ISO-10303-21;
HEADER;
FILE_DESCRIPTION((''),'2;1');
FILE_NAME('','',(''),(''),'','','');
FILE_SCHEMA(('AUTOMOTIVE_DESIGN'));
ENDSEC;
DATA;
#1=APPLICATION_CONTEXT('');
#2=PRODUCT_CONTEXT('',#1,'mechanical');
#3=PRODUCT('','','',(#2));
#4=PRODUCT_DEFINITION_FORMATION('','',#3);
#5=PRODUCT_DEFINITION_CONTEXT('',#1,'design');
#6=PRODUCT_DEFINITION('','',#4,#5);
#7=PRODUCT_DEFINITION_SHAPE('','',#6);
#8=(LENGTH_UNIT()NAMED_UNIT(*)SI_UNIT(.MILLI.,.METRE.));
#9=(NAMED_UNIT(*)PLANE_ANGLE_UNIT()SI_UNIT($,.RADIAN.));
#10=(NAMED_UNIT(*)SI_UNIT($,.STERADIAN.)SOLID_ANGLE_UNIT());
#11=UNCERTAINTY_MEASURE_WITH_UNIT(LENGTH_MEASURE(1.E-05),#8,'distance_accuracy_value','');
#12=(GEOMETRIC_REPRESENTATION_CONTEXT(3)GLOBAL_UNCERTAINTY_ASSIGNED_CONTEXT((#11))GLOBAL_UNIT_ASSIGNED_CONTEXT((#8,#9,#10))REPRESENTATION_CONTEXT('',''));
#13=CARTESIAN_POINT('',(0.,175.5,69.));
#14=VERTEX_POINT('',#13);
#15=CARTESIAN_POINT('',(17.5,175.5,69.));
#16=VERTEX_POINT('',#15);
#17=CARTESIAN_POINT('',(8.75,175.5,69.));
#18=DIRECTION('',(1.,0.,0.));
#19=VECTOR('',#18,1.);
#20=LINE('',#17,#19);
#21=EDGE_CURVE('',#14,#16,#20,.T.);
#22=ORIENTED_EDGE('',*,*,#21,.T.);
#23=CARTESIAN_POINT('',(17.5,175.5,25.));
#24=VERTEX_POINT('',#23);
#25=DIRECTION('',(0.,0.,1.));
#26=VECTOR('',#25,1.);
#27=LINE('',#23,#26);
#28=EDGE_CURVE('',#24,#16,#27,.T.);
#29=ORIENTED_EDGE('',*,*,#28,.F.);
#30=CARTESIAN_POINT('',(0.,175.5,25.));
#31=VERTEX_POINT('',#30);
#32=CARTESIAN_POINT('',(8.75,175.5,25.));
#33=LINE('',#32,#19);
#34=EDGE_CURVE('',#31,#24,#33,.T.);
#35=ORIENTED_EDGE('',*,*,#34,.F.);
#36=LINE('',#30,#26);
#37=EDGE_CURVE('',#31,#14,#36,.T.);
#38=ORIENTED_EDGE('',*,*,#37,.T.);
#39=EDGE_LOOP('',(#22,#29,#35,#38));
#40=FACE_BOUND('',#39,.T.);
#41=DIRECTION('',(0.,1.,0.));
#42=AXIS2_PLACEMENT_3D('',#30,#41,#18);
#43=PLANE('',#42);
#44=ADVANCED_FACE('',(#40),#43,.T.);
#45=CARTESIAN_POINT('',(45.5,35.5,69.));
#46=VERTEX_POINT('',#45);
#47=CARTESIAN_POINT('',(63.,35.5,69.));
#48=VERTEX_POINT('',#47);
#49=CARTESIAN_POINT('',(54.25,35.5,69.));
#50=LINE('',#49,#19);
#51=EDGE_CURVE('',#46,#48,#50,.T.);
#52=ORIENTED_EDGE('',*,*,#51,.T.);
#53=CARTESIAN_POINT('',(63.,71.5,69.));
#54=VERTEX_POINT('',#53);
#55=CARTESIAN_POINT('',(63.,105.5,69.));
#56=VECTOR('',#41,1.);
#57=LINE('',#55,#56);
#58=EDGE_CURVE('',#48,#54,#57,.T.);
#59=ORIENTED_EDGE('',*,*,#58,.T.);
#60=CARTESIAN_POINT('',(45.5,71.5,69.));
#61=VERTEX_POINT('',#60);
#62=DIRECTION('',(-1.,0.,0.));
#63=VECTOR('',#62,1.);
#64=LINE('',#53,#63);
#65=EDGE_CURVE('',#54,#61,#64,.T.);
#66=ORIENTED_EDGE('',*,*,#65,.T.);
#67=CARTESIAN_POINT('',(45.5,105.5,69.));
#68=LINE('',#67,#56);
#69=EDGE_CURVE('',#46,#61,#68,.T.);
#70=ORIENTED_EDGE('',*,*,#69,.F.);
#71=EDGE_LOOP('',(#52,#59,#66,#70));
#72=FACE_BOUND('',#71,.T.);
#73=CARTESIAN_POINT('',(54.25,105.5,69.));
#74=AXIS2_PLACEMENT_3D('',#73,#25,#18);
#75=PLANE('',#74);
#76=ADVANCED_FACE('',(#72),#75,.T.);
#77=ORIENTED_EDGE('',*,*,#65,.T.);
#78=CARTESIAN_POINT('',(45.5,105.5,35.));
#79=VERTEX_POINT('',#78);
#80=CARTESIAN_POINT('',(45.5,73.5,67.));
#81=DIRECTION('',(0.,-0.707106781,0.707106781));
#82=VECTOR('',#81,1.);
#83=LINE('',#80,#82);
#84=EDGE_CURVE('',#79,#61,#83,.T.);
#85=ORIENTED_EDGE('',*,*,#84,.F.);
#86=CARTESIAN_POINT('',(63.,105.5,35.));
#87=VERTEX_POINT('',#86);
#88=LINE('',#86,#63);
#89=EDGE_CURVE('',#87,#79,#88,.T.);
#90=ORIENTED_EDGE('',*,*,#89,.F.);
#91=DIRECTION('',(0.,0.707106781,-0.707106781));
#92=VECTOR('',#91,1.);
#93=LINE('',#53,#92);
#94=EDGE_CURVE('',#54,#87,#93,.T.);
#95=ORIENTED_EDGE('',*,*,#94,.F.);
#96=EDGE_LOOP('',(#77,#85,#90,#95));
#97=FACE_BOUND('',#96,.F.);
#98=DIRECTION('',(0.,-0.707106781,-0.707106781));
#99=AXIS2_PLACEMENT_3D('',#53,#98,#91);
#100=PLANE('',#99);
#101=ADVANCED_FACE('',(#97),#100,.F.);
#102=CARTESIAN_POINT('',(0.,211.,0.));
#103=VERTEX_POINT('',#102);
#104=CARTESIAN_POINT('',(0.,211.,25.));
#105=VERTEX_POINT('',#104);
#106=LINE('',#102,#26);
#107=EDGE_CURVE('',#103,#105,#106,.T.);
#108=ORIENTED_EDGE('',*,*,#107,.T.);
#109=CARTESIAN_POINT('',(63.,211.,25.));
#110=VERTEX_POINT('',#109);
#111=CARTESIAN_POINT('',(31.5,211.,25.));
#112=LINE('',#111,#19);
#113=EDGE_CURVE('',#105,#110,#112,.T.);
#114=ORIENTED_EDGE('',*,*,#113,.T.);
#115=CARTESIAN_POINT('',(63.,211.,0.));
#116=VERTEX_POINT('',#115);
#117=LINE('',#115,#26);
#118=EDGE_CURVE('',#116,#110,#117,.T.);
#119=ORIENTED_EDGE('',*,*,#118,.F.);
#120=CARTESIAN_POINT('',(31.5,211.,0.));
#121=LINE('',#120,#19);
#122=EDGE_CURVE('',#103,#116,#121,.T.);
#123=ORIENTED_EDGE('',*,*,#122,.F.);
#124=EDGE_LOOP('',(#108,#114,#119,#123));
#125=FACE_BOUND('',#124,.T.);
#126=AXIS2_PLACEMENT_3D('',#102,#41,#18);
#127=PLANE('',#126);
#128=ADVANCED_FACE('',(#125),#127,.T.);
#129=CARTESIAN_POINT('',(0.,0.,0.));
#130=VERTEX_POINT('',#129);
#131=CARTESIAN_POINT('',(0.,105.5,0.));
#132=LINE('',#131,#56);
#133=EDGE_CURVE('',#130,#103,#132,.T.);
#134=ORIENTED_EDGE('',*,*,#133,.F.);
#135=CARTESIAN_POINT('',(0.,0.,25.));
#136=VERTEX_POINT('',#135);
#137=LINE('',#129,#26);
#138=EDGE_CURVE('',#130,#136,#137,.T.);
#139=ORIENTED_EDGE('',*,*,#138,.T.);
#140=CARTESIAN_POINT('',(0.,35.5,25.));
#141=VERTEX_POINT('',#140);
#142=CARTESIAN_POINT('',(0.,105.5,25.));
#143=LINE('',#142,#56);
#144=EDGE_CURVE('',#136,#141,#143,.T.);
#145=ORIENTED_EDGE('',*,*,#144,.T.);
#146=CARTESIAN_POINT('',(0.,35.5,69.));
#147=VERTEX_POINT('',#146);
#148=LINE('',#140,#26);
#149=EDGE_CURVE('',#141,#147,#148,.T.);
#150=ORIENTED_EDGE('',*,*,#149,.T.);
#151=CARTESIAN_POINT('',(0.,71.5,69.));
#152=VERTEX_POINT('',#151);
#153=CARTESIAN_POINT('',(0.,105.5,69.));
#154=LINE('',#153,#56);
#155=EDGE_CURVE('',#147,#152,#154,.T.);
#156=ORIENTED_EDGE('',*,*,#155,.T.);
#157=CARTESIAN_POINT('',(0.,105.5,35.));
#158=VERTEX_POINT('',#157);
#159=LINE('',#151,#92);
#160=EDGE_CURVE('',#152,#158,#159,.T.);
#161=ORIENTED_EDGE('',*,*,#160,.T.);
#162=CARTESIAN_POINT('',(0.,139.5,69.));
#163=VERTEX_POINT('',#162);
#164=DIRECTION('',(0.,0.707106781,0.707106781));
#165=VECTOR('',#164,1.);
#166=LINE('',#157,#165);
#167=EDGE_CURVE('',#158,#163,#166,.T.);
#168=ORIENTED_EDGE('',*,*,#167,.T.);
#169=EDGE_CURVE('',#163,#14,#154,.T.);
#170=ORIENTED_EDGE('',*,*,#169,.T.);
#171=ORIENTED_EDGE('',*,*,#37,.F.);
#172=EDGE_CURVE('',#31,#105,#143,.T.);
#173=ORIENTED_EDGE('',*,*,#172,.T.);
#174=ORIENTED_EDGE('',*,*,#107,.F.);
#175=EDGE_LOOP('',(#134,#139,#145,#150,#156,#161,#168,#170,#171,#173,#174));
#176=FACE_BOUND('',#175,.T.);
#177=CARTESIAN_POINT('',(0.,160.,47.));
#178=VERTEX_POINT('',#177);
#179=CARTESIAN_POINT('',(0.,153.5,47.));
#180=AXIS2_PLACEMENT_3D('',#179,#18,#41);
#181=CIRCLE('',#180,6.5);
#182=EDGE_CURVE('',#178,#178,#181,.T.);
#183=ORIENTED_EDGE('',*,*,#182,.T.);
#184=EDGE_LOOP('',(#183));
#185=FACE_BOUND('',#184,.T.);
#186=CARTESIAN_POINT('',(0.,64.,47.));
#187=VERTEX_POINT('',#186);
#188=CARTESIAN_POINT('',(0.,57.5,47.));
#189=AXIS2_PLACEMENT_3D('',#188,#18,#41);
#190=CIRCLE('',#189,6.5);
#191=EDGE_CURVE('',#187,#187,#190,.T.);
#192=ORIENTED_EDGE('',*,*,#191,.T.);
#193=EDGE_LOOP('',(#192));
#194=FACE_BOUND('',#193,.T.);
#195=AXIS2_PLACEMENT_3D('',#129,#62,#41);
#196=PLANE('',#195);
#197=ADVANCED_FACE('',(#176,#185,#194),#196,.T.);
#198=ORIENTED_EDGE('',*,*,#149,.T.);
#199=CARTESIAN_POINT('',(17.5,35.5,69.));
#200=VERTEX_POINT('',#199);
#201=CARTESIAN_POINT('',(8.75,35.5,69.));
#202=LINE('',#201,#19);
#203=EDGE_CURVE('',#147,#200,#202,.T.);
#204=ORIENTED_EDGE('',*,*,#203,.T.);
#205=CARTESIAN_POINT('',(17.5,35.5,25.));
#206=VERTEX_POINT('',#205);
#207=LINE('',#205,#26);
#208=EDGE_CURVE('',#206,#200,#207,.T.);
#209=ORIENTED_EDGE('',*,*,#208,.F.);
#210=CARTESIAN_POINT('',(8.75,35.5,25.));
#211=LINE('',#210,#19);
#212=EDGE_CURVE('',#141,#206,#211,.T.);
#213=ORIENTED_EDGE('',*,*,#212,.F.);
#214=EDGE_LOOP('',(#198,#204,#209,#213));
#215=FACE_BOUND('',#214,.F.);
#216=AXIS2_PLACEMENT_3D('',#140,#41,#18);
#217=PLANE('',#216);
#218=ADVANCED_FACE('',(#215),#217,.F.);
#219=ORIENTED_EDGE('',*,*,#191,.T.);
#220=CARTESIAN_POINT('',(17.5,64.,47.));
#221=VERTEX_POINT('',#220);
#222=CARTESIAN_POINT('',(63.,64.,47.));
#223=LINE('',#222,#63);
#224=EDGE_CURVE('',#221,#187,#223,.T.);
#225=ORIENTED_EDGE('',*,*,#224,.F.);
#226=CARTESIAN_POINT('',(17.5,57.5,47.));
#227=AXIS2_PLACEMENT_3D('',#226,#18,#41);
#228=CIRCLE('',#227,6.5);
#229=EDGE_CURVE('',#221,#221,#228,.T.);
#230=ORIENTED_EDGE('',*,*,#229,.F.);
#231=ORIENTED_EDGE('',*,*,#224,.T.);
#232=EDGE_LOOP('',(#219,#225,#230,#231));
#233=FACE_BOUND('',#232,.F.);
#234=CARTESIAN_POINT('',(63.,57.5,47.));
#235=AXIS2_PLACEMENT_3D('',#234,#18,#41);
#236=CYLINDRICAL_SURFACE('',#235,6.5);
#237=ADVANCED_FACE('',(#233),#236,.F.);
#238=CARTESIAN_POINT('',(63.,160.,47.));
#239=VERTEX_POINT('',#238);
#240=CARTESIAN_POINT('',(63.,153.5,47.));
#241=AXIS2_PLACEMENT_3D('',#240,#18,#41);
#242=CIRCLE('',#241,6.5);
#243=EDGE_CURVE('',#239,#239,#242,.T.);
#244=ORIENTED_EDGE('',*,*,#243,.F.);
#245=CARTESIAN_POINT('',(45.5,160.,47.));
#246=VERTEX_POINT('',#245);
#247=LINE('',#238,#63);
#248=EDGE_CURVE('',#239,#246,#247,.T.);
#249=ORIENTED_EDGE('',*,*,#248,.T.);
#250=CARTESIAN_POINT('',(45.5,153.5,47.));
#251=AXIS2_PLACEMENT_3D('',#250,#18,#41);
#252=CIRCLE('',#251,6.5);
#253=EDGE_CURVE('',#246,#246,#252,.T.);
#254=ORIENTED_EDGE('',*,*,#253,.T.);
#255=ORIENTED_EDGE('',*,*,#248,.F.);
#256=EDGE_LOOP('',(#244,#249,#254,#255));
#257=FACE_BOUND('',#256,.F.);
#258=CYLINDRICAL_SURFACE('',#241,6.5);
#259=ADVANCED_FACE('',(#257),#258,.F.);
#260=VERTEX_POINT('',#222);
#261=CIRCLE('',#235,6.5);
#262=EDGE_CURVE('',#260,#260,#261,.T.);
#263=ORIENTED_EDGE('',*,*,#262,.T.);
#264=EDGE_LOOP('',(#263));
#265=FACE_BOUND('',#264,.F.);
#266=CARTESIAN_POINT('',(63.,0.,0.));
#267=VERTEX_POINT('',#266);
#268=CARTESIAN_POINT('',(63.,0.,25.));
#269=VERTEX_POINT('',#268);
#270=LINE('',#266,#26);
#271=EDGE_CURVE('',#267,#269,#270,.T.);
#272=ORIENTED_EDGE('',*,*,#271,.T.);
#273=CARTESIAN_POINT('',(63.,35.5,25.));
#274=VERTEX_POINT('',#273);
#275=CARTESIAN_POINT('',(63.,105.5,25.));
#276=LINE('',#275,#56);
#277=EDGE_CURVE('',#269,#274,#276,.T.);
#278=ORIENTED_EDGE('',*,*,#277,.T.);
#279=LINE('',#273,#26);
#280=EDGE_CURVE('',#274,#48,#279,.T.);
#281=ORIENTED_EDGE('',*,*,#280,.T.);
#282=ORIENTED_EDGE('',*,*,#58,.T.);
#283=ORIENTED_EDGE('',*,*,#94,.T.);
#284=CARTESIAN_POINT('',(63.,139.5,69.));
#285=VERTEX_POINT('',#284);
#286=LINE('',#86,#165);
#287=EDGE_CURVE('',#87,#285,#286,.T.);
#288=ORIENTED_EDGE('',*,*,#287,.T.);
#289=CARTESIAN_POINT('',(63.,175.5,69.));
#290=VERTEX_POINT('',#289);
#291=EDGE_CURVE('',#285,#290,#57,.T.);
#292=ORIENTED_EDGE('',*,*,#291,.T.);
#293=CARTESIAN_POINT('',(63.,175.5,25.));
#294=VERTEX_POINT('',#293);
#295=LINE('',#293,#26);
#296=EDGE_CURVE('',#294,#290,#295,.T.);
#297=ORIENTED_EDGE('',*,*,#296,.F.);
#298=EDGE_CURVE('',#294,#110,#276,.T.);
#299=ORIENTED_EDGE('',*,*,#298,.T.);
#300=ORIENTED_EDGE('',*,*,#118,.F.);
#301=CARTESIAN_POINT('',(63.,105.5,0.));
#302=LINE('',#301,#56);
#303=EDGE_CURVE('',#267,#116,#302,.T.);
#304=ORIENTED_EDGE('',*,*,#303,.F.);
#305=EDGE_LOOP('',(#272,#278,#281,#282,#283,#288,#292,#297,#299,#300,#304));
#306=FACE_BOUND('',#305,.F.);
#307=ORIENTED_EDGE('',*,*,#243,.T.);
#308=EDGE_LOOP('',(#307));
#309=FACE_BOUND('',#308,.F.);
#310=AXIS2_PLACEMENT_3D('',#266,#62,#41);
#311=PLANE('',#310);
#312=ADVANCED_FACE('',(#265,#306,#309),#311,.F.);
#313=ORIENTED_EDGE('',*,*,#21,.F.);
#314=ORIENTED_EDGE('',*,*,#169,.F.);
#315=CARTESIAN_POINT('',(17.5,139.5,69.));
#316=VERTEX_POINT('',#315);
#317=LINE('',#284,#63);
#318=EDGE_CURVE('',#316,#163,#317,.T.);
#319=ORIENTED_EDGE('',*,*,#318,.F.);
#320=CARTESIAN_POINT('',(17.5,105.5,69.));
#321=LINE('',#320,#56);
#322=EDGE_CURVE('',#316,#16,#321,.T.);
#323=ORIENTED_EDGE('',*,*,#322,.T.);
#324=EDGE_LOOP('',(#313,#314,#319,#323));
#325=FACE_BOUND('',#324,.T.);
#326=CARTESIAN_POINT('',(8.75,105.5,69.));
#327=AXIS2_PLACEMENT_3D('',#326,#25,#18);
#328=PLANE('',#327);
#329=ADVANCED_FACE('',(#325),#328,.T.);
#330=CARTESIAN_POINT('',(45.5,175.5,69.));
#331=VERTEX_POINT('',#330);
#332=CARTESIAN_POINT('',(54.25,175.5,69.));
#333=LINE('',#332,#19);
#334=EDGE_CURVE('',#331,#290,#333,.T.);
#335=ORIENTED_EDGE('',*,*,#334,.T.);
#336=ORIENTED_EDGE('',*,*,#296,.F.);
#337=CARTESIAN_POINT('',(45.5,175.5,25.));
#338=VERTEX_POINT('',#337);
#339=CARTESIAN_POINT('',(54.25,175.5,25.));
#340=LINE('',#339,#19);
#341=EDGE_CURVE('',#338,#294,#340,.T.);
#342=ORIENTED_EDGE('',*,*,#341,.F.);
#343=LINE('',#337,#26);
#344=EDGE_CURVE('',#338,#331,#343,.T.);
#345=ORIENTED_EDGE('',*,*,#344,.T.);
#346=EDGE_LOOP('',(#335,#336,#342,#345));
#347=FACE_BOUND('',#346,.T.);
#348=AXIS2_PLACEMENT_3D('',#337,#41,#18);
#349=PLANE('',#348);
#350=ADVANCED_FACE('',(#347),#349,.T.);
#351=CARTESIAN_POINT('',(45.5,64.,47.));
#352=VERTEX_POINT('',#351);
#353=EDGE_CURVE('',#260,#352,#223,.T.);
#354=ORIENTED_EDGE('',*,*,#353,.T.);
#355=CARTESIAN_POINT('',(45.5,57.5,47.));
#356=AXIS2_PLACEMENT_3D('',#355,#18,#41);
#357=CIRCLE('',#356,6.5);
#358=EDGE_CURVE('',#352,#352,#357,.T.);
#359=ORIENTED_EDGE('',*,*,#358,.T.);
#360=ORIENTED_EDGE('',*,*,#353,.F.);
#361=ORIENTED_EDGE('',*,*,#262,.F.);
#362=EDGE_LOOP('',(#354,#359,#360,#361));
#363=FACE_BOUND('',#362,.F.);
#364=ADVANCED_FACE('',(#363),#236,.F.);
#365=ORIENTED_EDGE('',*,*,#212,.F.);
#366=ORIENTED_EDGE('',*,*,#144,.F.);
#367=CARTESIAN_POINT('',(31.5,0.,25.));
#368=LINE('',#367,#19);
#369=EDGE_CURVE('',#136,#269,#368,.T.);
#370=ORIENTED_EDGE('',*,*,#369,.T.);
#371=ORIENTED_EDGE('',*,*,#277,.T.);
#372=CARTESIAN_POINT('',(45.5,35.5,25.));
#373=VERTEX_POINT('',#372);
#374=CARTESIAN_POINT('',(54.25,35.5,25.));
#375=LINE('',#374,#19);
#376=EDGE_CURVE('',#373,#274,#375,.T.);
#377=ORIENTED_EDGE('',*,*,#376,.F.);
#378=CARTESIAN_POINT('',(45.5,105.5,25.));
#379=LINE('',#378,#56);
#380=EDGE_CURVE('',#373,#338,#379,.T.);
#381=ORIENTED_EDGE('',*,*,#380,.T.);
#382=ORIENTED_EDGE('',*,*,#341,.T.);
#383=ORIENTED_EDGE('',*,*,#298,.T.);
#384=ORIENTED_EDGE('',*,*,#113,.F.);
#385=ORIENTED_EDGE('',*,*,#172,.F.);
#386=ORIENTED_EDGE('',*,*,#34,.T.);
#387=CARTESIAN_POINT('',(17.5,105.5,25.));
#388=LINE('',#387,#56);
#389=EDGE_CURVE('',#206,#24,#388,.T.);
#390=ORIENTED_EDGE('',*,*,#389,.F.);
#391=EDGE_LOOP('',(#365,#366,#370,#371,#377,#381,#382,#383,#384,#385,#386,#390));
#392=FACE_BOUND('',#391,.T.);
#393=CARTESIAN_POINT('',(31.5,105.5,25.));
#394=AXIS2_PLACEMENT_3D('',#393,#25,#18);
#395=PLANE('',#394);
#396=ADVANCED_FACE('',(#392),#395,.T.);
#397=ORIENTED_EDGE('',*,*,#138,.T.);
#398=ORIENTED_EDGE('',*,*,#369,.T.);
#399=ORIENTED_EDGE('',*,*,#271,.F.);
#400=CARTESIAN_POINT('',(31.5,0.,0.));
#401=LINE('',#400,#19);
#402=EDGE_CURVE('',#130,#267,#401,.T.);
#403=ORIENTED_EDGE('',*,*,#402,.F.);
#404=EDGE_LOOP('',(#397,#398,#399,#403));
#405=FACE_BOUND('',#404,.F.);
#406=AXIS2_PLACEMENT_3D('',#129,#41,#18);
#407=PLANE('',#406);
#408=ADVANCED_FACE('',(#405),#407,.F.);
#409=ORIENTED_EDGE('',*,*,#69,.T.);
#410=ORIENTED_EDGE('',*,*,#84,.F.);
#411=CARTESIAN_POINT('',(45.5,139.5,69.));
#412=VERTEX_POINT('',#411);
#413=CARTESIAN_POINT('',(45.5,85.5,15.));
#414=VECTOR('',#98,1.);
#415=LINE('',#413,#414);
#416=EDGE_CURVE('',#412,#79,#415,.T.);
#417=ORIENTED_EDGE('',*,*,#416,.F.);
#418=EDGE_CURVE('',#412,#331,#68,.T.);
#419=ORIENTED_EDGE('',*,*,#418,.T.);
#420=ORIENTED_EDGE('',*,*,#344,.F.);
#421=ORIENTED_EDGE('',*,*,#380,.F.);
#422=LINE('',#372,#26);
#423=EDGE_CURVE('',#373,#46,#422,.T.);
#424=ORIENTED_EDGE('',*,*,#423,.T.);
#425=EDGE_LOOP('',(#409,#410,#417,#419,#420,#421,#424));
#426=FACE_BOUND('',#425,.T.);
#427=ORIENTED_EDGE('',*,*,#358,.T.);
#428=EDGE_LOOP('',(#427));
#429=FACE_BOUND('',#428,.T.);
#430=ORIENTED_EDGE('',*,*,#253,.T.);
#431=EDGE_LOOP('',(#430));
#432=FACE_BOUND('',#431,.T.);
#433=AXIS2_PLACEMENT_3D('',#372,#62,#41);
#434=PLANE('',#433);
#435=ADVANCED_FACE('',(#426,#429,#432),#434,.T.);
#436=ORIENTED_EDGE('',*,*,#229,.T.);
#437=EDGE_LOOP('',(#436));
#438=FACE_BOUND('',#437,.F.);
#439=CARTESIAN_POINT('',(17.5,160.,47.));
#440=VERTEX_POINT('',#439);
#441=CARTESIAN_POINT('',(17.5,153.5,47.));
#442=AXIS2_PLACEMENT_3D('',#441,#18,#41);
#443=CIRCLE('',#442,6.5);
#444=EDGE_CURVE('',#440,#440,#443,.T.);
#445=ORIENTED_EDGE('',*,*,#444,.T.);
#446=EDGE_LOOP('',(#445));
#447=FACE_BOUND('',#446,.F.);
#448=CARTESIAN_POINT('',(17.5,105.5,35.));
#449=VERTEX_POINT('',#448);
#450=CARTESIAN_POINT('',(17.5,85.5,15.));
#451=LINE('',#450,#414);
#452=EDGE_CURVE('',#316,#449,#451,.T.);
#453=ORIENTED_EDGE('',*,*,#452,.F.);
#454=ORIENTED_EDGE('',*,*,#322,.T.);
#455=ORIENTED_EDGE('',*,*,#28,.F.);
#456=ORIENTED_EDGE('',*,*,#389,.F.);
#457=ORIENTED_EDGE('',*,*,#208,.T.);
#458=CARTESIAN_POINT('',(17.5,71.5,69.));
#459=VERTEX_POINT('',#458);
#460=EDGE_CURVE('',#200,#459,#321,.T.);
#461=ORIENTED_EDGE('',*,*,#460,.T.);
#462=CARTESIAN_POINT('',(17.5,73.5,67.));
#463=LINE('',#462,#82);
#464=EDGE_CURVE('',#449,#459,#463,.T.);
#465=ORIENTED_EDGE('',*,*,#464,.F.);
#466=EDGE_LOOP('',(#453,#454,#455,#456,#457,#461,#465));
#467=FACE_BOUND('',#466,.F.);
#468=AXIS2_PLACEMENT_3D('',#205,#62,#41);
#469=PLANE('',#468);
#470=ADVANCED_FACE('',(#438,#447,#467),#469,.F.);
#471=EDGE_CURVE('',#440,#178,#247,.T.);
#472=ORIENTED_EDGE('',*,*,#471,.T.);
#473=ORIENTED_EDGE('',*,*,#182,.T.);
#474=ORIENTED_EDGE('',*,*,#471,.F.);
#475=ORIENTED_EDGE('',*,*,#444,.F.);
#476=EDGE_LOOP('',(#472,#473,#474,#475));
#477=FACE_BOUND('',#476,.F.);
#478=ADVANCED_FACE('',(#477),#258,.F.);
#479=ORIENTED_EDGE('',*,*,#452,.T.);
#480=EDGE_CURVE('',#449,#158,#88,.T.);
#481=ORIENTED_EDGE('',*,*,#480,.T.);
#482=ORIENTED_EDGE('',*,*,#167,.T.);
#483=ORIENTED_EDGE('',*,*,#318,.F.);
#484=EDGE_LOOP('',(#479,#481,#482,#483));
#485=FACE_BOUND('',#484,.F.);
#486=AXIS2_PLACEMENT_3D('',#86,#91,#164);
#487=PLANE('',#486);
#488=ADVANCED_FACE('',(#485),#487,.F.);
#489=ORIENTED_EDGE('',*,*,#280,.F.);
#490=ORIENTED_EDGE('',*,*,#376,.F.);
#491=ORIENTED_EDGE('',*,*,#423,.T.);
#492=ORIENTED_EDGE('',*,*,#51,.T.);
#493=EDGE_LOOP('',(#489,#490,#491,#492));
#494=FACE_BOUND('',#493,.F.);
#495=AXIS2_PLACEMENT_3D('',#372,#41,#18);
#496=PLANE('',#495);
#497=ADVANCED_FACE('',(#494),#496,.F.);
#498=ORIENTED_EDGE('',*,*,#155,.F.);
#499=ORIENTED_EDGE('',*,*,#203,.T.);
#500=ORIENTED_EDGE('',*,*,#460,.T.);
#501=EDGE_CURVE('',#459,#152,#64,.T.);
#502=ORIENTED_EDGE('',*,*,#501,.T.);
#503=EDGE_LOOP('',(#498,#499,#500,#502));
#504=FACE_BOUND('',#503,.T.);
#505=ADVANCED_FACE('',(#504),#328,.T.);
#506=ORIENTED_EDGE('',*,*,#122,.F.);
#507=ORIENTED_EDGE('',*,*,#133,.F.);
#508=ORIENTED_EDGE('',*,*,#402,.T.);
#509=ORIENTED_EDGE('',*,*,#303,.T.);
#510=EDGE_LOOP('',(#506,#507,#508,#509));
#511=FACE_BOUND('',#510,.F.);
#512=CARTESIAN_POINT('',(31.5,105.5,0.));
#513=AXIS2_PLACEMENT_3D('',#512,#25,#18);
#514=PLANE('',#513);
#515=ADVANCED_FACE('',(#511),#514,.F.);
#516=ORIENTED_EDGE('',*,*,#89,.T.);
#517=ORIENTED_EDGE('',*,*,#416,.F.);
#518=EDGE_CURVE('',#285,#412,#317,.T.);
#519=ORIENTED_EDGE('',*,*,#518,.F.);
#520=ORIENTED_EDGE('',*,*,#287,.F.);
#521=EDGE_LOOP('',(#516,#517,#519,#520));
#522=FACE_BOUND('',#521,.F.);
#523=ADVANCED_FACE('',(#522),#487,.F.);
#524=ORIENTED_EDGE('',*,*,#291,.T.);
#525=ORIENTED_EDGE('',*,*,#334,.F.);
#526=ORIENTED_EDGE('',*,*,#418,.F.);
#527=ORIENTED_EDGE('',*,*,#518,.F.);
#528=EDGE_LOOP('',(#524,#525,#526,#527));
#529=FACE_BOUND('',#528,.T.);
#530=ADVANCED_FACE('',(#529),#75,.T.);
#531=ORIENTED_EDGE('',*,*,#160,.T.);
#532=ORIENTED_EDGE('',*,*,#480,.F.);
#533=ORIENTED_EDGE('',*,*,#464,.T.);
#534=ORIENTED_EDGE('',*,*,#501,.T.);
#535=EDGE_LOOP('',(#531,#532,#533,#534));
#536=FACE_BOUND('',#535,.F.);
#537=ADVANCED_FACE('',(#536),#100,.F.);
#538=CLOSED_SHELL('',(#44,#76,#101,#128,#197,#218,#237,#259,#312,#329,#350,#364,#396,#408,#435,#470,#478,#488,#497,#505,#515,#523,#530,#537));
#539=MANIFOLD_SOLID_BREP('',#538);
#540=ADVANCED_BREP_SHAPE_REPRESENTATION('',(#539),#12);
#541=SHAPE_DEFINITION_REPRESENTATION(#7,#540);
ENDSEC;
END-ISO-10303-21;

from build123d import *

# Parameters (mm, degrees)
SKETCH_W        = 63
SKETCH_H        = 211
PAD_DEPTH       = 25
SKETCH001_W     = 17.5
SKETCH001_H     = 140
PAD001_DEPTH    = 44
POCKET_DEPTH    = 63
SKETCH003_R     = 6.5
POCKET001_DEPTH = 63


with BuildPart() as part:
    # Sketch → Pad (new body)
    with BuildSketch(Plane.XY):
        with Locations((31.5, 105.5)):
            Rectangle(SKETCH_W, SKETCH_H)
    extrude(amount=PAD_DEPTH)

    # Sketch001 (on Face6 of Pad) → Pad001 (join)
    with BuildSketch(Plane.XY.offset(25)):
        with Locations((8.75, 105.5)):
            Rectangle(SKETCH001_W, SKETCH001_H)
        with Locations((54.25, 105.5)):
            Rectangle(SKETCH001_W, SKETCH001_H)
    extrude(amount=PAD001_DEPTH)

    # Sketch002 (on Face8 of Pad001) → Pocket (cut)
    with BuildSketch(Plane.YZ.offset(63)):
        Polygon((71.5, 69), (105.5, 35), (139.5, 69), align=None)
    extrude(amount=-POCKET_DEPTH, mode=Mode.SUBTRACT)

    # Sketch003 (on Face8 of Pocket) → Pocket001 (cut)
    with BuildSketch(Plane.YZ.offset(63)):
        with Locations((57.5, 47)):
            Circle(SKETCH003_R)
        with Locations((153.5, 47)):
            Circle(SKETCH003_R)
    extrude(amount=-POCKET001_DEPTH, mode=Mode.SUBTRACT)


solid = part.part
